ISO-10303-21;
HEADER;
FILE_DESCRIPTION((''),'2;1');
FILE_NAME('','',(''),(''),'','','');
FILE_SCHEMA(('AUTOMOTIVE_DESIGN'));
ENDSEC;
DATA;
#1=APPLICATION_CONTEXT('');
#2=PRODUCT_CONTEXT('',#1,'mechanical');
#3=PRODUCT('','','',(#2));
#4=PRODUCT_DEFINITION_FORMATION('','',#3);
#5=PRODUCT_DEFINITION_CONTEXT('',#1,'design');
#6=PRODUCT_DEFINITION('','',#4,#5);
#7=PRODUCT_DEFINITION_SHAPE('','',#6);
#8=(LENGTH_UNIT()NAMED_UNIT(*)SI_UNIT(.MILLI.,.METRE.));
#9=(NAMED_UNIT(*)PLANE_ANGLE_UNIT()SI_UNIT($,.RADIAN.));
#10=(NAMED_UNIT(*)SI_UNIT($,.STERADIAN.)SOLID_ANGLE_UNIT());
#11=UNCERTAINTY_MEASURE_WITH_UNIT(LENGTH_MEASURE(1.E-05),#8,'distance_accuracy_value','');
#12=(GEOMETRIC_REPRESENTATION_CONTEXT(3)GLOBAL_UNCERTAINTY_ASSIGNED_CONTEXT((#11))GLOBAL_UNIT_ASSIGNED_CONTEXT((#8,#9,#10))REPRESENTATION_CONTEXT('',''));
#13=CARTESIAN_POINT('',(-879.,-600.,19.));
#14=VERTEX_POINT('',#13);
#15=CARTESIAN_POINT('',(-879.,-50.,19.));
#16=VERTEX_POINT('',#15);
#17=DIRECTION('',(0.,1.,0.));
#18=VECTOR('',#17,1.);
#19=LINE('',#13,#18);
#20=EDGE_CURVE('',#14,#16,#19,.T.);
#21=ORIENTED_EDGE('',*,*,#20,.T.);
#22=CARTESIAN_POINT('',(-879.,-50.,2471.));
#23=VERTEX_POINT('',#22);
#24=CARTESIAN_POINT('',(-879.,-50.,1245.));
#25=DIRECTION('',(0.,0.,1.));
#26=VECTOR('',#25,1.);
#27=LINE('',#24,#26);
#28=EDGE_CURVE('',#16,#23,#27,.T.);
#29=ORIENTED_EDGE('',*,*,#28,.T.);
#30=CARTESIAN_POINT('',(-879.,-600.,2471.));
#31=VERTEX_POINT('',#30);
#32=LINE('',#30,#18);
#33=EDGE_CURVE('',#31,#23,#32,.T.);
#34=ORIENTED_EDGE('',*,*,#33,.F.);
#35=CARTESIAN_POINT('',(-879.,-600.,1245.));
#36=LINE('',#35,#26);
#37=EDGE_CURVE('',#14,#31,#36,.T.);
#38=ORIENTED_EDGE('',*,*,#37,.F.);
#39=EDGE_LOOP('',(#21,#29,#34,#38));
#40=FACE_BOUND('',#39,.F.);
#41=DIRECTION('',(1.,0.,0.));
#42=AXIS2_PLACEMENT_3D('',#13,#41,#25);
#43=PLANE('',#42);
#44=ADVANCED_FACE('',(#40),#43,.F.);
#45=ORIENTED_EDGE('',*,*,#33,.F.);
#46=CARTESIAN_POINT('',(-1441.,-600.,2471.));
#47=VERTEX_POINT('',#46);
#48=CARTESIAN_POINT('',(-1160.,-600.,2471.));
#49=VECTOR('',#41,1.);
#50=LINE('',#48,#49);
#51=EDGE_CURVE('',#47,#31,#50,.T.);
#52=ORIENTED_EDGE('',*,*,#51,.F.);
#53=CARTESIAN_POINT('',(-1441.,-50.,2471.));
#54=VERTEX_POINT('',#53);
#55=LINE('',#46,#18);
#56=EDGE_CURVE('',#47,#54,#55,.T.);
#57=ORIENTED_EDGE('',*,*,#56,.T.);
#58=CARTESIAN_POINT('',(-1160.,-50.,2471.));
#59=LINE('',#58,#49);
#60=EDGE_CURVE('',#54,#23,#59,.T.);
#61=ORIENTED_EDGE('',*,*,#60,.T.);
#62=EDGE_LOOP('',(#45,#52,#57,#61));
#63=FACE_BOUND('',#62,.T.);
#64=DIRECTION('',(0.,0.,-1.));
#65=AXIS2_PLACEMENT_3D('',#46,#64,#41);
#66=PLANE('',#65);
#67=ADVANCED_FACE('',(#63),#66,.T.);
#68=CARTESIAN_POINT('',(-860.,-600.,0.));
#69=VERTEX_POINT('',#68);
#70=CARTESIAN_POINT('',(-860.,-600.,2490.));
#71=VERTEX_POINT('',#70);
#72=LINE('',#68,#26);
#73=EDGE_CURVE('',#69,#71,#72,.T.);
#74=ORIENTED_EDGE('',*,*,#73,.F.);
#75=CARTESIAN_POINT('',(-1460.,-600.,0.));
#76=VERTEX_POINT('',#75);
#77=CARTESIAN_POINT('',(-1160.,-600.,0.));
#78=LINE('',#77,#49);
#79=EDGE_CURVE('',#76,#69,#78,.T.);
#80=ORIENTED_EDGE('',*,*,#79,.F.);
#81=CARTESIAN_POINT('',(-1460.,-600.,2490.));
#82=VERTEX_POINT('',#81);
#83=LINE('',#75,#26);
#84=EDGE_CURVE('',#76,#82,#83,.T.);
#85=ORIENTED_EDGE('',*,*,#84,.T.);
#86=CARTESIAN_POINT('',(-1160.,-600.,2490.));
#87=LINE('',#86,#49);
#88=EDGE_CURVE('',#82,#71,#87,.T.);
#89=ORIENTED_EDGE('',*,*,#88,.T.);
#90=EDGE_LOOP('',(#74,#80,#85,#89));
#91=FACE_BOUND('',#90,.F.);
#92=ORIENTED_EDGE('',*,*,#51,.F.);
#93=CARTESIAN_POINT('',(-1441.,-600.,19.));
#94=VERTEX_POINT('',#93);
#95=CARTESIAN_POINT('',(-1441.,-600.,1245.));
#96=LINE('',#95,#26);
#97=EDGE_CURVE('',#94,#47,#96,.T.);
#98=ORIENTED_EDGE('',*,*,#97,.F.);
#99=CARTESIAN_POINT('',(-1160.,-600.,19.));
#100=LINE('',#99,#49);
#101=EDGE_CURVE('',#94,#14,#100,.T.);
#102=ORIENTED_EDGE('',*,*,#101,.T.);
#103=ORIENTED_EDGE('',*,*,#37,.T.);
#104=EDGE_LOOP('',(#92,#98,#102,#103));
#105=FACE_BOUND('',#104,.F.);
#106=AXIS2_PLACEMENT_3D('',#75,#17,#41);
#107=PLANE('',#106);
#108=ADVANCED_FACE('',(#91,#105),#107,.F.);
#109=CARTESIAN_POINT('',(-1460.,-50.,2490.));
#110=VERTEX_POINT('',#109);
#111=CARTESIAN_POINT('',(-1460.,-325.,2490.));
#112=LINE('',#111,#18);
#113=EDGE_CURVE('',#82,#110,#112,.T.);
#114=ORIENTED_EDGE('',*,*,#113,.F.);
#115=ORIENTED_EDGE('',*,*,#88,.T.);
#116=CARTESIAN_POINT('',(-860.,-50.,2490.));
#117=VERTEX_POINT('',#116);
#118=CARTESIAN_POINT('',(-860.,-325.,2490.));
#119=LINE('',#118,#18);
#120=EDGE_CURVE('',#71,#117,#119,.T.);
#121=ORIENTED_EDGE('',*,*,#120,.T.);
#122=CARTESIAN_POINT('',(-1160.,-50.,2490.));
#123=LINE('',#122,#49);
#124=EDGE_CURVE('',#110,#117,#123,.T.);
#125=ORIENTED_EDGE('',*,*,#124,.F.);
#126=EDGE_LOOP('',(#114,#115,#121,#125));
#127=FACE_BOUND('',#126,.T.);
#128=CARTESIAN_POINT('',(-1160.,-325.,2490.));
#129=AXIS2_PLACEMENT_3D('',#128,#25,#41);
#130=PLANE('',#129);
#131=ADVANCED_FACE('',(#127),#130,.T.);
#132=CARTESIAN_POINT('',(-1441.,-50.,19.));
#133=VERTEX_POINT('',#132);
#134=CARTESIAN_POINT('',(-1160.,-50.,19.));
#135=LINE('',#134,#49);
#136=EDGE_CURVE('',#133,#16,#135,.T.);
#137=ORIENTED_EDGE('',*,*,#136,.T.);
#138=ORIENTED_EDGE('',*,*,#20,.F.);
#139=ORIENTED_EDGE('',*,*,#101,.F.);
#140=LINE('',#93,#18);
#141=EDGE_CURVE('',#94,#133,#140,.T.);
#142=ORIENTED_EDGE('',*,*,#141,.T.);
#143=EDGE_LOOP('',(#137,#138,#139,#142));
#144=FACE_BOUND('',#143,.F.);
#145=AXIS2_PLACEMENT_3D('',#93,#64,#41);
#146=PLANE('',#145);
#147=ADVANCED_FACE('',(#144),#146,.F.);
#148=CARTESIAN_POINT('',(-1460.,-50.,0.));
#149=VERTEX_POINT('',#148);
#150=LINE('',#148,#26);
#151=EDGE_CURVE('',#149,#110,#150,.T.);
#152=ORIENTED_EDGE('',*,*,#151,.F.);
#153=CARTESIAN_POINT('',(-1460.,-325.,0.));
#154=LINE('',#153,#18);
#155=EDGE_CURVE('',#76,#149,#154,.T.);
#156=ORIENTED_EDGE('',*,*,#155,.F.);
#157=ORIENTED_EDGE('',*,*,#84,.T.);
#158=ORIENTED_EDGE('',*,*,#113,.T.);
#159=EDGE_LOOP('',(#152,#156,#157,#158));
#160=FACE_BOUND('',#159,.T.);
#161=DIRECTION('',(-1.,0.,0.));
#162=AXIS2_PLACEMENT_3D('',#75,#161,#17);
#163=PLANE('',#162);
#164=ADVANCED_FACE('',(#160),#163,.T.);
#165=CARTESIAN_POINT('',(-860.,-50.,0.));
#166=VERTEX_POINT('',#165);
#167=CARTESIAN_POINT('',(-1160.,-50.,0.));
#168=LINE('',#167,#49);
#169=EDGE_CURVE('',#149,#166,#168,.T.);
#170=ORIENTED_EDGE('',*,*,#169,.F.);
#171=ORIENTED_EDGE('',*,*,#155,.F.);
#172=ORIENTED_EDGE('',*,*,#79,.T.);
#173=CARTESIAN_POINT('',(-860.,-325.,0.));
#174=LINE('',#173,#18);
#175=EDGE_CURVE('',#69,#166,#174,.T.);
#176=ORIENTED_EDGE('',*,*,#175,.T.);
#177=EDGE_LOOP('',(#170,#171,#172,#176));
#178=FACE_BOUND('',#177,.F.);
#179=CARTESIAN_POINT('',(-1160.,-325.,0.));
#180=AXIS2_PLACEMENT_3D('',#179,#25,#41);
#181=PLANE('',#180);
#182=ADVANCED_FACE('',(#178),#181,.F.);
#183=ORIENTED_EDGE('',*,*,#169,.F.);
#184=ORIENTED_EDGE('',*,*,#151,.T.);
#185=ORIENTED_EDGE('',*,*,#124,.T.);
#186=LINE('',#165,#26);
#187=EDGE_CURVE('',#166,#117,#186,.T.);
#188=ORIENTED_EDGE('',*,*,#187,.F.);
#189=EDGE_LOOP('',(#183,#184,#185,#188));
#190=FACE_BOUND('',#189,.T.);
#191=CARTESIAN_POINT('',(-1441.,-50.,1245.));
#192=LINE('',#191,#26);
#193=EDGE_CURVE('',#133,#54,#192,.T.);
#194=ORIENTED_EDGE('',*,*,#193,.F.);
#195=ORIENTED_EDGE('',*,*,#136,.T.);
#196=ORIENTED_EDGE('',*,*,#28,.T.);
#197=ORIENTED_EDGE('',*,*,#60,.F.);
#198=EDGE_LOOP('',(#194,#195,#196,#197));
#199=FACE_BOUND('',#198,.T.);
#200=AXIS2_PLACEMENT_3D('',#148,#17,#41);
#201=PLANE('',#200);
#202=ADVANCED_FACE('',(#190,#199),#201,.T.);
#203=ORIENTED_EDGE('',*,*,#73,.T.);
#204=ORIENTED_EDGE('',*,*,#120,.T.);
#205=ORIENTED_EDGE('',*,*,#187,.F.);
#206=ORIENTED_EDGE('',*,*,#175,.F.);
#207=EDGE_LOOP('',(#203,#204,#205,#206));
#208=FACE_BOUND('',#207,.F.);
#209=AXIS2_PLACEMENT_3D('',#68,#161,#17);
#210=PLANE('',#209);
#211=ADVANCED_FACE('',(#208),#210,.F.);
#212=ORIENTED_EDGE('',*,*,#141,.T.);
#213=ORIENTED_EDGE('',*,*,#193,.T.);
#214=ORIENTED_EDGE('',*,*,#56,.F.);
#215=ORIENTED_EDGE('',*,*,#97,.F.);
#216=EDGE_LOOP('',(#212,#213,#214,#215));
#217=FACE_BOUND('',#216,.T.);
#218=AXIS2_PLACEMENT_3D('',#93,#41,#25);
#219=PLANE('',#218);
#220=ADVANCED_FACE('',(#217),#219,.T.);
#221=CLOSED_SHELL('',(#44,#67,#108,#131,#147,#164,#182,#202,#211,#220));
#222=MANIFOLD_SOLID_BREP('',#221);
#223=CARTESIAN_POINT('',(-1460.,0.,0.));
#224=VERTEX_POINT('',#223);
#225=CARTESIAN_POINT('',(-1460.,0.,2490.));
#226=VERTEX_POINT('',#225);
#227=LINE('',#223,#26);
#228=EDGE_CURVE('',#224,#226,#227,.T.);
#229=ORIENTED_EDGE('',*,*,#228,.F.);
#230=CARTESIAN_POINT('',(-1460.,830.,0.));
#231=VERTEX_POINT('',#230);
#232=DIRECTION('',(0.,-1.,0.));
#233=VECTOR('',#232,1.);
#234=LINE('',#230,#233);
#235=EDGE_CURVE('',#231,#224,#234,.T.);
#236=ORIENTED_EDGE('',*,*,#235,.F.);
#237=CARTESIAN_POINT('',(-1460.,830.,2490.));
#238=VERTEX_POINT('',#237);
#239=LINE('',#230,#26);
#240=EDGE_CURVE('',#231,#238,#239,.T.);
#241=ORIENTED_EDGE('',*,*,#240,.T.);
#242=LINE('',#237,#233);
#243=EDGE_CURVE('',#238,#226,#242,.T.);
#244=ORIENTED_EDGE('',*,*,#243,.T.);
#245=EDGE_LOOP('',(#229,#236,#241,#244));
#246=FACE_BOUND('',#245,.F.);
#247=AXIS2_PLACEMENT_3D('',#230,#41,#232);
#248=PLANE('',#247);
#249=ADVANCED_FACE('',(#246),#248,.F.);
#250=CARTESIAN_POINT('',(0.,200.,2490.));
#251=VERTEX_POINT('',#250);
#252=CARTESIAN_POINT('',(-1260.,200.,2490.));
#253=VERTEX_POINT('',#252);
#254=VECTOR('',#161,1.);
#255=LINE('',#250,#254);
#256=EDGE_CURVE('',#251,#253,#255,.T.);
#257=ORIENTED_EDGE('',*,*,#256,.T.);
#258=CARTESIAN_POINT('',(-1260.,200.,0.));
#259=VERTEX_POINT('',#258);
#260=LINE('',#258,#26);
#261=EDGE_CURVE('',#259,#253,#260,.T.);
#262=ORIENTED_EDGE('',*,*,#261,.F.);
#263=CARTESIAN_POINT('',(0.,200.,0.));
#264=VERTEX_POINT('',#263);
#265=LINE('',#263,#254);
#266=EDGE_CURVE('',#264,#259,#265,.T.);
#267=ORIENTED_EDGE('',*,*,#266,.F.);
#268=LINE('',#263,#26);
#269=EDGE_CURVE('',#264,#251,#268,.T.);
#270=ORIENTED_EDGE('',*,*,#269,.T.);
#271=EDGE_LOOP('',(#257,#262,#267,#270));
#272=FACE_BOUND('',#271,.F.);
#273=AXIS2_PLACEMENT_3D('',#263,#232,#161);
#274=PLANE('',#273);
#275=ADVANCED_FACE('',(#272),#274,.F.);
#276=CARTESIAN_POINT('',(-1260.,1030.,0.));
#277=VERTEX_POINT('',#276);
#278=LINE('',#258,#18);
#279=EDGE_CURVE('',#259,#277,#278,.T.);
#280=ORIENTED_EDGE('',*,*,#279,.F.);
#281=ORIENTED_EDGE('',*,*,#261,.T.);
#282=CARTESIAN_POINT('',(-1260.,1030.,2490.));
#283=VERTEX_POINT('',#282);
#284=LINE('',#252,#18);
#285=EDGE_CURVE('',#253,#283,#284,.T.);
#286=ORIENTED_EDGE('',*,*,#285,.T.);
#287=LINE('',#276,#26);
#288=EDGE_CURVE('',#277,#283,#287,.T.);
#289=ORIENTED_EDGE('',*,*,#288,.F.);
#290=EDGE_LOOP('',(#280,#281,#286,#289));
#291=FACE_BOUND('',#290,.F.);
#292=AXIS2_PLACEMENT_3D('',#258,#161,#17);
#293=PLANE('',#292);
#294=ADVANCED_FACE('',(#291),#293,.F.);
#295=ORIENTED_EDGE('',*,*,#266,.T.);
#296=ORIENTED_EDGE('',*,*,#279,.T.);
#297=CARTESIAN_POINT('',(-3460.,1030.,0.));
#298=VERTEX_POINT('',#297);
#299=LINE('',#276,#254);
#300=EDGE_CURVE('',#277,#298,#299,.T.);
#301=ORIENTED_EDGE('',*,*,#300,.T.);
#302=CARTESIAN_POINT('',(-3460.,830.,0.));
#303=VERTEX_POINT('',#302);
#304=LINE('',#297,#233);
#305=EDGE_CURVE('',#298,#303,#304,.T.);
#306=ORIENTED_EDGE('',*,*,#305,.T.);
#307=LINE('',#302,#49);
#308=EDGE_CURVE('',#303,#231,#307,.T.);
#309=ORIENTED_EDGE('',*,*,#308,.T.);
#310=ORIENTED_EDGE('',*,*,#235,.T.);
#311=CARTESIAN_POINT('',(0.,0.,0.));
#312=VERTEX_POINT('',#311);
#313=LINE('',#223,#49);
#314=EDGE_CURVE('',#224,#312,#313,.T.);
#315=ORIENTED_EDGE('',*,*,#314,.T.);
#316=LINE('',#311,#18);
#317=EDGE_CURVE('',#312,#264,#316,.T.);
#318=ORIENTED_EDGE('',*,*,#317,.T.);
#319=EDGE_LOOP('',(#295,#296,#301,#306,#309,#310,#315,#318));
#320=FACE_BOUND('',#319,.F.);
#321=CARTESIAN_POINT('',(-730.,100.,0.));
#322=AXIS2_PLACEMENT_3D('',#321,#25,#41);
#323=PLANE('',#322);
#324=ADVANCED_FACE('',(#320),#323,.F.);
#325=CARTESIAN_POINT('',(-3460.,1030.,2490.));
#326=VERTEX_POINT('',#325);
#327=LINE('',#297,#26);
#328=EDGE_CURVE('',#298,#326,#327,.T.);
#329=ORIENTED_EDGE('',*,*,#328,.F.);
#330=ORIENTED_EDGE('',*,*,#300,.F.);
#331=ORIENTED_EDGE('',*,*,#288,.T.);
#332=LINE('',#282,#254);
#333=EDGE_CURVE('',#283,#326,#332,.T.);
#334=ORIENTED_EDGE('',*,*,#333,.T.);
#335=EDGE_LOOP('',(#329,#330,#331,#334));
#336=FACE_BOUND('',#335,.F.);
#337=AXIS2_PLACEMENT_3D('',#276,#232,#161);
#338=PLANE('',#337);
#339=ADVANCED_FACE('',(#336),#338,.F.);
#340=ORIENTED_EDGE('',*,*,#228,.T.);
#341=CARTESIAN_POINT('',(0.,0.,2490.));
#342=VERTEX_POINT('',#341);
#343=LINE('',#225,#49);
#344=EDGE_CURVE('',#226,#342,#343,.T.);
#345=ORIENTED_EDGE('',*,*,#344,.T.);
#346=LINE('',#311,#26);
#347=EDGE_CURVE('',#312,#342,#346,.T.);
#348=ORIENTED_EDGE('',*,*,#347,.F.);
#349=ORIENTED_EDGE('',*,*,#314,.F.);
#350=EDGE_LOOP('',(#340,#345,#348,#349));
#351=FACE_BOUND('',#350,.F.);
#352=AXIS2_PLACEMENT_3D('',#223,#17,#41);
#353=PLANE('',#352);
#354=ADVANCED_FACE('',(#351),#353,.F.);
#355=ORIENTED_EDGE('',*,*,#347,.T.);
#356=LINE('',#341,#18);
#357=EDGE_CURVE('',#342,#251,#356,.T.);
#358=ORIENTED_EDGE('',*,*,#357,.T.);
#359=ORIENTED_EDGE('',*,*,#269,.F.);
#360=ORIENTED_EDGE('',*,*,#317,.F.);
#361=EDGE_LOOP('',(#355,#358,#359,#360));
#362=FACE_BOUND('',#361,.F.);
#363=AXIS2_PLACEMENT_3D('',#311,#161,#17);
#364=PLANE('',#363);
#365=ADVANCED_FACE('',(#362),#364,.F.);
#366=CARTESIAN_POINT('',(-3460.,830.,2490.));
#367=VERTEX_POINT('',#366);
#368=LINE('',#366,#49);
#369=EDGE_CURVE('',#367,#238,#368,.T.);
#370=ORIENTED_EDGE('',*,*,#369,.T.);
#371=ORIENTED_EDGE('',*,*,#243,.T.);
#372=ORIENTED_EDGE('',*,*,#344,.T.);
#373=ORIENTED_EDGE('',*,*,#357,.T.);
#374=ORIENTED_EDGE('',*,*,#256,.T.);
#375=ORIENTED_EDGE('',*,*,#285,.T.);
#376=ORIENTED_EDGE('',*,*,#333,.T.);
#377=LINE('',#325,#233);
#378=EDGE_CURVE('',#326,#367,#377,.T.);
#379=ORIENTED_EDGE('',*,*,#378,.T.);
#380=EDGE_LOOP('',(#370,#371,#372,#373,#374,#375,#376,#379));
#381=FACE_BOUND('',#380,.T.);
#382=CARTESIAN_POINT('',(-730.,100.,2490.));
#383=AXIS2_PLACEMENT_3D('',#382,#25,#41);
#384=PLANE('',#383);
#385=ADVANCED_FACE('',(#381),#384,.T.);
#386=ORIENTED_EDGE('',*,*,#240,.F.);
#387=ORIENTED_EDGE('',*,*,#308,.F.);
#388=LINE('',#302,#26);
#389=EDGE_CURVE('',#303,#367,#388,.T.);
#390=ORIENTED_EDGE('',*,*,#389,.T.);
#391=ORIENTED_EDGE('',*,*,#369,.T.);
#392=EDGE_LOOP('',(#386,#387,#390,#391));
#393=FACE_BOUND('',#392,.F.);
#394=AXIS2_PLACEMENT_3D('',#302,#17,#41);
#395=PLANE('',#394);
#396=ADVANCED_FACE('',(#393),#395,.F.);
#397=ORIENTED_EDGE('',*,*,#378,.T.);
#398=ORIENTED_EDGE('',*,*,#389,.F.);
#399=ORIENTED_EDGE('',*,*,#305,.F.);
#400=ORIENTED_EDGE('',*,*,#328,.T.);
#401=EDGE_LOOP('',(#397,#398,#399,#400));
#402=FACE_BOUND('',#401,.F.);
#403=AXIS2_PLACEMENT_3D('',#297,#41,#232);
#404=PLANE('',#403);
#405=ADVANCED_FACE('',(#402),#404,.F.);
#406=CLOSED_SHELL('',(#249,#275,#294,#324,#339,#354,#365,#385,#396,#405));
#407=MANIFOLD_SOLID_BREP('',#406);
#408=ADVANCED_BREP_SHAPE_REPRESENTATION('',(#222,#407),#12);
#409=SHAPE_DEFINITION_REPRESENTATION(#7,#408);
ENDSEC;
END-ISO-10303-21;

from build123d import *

# Parameters (mm, degrees)
F1_DEPTH = 2490
F2_W     = 600
F2_H     = 550
F3_DEPTH = 2490
F4_W     = 562
F4_H     = 2452
F5_DEPTH = 550


with BuildPart() as f1:
    # F0 (on Top) → F1 (new body)
    with BuildSketch(Plane.XY):
        Polygon((-1460, 0), (0, 0), (0, 200), (-1260, 200), (-1460, 200), align=None)
        Polygon((-1460, 830), (-1460, 200), (-1260, 200), (-1260, 1030), (-3460, 1030), (-3460, 830), align=None)
    extrude(amount=F1_DEPTH)


with BuildPart() as f3:
    # F2 (on Top) → F3 (new body)
    with BuildSketch(Plane.XY):
        with Locations((-1160, -325)):
            Rectangle(F2_W, F2_H)
    extrude(amount=F3_DEPTH)

    # F4 (on face) → F5 (cut, through all)
    with BuildSketch(Plane.XZ.offset(600)):
        with Locations((-1160, 1245)):
            Rectangle(F4_W, F4_H)
    extrude(amount=-F5_DEPTH, mode=Mode.SUBTRACT)


solid = Compound([f1.part, f3.part])
